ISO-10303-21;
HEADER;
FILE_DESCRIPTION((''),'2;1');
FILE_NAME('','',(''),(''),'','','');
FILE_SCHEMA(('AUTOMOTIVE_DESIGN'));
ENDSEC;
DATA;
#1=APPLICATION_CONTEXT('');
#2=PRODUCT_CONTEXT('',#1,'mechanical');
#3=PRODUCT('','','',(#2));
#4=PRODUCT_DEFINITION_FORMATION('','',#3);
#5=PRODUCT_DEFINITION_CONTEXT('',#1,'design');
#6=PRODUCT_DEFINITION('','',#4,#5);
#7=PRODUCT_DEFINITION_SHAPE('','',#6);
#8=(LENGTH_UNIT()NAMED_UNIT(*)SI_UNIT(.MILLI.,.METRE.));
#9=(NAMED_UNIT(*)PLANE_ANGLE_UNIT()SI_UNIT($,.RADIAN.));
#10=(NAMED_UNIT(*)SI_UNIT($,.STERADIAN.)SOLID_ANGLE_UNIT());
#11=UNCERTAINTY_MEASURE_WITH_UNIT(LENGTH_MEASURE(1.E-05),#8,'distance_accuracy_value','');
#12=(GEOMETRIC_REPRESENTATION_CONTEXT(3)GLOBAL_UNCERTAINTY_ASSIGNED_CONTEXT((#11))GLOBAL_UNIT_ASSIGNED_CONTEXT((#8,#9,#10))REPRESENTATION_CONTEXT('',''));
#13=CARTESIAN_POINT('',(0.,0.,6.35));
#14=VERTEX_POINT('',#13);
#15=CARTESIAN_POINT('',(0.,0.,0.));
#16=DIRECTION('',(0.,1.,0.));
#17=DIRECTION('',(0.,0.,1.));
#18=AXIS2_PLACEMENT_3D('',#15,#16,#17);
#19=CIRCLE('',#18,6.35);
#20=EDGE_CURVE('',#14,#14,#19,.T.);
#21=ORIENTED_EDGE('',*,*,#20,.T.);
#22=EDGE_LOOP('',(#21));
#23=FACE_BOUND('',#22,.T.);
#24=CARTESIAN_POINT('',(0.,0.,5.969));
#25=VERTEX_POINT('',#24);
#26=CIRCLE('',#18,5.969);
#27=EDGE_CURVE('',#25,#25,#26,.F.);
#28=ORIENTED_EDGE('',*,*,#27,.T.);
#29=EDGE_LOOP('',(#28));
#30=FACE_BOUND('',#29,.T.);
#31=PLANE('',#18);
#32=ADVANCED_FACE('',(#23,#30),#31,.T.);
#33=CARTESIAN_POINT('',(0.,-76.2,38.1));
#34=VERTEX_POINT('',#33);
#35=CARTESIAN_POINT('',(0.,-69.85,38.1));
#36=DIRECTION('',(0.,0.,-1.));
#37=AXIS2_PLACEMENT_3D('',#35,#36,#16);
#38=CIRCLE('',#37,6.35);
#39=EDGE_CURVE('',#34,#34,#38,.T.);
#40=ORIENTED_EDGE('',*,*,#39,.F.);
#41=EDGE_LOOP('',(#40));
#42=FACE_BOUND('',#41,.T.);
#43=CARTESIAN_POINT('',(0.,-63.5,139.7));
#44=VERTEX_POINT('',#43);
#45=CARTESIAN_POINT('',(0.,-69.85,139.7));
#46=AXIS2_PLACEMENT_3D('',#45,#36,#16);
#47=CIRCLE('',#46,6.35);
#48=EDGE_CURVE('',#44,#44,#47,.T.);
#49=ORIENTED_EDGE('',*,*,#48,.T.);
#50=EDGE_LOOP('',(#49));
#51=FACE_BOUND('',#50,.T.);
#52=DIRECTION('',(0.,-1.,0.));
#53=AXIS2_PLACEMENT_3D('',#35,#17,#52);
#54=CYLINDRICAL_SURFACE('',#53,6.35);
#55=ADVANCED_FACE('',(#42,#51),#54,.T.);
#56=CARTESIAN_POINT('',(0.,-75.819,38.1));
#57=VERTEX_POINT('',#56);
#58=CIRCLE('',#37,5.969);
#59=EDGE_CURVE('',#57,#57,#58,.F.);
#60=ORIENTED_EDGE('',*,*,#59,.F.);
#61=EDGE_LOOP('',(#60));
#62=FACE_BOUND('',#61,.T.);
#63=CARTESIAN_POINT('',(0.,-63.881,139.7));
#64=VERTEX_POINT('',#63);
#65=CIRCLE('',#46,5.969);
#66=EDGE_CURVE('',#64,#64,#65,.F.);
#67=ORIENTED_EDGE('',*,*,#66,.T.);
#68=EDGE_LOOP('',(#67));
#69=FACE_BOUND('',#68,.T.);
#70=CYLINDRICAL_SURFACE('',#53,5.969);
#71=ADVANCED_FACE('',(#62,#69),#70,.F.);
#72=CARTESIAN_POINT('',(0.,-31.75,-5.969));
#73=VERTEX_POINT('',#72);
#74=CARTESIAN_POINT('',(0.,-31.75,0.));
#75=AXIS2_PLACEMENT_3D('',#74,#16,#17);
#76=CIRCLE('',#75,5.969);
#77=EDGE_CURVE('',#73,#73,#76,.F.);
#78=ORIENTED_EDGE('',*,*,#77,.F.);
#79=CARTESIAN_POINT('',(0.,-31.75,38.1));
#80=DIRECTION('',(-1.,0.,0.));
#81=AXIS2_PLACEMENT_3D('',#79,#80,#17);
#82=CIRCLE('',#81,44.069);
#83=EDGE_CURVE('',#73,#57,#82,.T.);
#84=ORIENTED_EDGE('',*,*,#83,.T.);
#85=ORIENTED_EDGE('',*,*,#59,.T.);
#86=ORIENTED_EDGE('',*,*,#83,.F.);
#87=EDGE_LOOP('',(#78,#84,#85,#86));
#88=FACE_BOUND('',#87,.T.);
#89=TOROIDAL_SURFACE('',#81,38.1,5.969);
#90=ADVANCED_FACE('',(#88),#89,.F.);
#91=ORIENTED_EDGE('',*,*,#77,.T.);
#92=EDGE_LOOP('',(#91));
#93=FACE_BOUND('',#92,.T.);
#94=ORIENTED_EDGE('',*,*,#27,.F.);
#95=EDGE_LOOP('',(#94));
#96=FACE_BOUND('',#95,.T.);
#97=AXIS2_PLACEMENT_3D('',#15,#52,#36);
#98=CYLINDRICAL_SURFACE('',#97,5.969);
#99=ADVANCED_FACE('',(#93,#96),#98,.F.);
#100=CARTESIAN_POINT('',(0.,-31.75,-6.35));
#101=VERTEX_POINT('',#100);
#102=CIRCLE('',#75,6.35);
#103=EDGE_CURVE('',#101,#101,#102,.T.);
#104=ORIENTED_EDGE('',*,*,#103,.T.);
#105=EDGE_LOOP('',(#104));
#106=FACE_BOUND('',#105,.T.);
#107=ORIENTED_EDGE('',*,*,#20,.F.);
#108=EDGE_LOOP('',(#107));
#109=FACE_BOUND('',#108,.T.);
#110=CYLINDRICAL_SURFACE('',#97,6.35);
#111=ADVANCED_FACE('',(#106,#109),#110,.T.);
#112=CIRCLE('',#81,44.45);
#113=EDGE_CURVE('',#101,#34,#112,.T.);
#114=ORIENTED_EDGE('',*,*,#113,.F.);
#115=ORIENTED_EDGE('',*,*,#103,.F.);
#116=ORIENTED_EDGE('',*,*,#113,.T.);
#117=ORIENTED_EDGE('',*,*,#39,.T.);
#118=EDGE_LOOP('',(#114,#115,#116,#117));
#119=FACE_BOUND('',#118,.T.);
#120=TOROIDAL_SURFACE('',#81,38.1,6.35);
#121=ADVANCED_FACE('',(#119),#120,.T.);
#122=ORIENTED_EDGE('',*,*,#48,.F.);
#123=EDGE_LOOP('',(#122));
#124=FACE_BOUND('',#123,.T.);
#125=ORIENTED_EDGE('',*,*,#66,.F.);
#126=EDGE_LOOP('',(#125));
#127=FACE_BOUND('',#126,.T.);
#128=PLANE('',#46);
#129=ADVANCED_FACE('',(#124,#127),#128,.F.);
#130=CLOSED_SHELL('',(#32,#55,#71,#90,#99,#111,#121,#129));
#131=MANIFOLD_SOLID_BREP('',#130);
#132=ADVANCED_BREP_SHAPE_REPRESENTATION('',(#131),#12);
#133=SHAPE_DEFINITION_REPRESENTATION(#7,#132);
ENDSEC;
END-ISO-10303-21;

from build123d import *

# Parameters (mm, degrees)
SKETCH1_R   = 6.35
SKETCH1_R_2 = 5.969


with BuildPart() as part:
    # Sweep1: sweep along a path in Sketch2
    with BuildLine(Plane(origin=(0, 0, 0), x_dir=(0, 0, -1), z_dir=(1, 0, 0))) as sweep1_path:
        Line((0, 0), (0, -31.75))
        ThreePointArc((0, -31.75), (-11.159231637, -58.690768363), (-38.1, -69.85))
        Line((-38.1, -69.85), (-139.7, -69.85))
    # Sketch1 → Sweep1 (sweep)
    with BuildSketch(Plane(origin=(0, 0, 0), x_dir=(1, 0, 0), z_dir=(0, 1, 0))):
        Circle(SKETCH1_R)
        Circle(SKETCH1_R_2, mode=Mode.SUBTRACT)
    sweep(path=sweep1_path.line)


solid = part.part
